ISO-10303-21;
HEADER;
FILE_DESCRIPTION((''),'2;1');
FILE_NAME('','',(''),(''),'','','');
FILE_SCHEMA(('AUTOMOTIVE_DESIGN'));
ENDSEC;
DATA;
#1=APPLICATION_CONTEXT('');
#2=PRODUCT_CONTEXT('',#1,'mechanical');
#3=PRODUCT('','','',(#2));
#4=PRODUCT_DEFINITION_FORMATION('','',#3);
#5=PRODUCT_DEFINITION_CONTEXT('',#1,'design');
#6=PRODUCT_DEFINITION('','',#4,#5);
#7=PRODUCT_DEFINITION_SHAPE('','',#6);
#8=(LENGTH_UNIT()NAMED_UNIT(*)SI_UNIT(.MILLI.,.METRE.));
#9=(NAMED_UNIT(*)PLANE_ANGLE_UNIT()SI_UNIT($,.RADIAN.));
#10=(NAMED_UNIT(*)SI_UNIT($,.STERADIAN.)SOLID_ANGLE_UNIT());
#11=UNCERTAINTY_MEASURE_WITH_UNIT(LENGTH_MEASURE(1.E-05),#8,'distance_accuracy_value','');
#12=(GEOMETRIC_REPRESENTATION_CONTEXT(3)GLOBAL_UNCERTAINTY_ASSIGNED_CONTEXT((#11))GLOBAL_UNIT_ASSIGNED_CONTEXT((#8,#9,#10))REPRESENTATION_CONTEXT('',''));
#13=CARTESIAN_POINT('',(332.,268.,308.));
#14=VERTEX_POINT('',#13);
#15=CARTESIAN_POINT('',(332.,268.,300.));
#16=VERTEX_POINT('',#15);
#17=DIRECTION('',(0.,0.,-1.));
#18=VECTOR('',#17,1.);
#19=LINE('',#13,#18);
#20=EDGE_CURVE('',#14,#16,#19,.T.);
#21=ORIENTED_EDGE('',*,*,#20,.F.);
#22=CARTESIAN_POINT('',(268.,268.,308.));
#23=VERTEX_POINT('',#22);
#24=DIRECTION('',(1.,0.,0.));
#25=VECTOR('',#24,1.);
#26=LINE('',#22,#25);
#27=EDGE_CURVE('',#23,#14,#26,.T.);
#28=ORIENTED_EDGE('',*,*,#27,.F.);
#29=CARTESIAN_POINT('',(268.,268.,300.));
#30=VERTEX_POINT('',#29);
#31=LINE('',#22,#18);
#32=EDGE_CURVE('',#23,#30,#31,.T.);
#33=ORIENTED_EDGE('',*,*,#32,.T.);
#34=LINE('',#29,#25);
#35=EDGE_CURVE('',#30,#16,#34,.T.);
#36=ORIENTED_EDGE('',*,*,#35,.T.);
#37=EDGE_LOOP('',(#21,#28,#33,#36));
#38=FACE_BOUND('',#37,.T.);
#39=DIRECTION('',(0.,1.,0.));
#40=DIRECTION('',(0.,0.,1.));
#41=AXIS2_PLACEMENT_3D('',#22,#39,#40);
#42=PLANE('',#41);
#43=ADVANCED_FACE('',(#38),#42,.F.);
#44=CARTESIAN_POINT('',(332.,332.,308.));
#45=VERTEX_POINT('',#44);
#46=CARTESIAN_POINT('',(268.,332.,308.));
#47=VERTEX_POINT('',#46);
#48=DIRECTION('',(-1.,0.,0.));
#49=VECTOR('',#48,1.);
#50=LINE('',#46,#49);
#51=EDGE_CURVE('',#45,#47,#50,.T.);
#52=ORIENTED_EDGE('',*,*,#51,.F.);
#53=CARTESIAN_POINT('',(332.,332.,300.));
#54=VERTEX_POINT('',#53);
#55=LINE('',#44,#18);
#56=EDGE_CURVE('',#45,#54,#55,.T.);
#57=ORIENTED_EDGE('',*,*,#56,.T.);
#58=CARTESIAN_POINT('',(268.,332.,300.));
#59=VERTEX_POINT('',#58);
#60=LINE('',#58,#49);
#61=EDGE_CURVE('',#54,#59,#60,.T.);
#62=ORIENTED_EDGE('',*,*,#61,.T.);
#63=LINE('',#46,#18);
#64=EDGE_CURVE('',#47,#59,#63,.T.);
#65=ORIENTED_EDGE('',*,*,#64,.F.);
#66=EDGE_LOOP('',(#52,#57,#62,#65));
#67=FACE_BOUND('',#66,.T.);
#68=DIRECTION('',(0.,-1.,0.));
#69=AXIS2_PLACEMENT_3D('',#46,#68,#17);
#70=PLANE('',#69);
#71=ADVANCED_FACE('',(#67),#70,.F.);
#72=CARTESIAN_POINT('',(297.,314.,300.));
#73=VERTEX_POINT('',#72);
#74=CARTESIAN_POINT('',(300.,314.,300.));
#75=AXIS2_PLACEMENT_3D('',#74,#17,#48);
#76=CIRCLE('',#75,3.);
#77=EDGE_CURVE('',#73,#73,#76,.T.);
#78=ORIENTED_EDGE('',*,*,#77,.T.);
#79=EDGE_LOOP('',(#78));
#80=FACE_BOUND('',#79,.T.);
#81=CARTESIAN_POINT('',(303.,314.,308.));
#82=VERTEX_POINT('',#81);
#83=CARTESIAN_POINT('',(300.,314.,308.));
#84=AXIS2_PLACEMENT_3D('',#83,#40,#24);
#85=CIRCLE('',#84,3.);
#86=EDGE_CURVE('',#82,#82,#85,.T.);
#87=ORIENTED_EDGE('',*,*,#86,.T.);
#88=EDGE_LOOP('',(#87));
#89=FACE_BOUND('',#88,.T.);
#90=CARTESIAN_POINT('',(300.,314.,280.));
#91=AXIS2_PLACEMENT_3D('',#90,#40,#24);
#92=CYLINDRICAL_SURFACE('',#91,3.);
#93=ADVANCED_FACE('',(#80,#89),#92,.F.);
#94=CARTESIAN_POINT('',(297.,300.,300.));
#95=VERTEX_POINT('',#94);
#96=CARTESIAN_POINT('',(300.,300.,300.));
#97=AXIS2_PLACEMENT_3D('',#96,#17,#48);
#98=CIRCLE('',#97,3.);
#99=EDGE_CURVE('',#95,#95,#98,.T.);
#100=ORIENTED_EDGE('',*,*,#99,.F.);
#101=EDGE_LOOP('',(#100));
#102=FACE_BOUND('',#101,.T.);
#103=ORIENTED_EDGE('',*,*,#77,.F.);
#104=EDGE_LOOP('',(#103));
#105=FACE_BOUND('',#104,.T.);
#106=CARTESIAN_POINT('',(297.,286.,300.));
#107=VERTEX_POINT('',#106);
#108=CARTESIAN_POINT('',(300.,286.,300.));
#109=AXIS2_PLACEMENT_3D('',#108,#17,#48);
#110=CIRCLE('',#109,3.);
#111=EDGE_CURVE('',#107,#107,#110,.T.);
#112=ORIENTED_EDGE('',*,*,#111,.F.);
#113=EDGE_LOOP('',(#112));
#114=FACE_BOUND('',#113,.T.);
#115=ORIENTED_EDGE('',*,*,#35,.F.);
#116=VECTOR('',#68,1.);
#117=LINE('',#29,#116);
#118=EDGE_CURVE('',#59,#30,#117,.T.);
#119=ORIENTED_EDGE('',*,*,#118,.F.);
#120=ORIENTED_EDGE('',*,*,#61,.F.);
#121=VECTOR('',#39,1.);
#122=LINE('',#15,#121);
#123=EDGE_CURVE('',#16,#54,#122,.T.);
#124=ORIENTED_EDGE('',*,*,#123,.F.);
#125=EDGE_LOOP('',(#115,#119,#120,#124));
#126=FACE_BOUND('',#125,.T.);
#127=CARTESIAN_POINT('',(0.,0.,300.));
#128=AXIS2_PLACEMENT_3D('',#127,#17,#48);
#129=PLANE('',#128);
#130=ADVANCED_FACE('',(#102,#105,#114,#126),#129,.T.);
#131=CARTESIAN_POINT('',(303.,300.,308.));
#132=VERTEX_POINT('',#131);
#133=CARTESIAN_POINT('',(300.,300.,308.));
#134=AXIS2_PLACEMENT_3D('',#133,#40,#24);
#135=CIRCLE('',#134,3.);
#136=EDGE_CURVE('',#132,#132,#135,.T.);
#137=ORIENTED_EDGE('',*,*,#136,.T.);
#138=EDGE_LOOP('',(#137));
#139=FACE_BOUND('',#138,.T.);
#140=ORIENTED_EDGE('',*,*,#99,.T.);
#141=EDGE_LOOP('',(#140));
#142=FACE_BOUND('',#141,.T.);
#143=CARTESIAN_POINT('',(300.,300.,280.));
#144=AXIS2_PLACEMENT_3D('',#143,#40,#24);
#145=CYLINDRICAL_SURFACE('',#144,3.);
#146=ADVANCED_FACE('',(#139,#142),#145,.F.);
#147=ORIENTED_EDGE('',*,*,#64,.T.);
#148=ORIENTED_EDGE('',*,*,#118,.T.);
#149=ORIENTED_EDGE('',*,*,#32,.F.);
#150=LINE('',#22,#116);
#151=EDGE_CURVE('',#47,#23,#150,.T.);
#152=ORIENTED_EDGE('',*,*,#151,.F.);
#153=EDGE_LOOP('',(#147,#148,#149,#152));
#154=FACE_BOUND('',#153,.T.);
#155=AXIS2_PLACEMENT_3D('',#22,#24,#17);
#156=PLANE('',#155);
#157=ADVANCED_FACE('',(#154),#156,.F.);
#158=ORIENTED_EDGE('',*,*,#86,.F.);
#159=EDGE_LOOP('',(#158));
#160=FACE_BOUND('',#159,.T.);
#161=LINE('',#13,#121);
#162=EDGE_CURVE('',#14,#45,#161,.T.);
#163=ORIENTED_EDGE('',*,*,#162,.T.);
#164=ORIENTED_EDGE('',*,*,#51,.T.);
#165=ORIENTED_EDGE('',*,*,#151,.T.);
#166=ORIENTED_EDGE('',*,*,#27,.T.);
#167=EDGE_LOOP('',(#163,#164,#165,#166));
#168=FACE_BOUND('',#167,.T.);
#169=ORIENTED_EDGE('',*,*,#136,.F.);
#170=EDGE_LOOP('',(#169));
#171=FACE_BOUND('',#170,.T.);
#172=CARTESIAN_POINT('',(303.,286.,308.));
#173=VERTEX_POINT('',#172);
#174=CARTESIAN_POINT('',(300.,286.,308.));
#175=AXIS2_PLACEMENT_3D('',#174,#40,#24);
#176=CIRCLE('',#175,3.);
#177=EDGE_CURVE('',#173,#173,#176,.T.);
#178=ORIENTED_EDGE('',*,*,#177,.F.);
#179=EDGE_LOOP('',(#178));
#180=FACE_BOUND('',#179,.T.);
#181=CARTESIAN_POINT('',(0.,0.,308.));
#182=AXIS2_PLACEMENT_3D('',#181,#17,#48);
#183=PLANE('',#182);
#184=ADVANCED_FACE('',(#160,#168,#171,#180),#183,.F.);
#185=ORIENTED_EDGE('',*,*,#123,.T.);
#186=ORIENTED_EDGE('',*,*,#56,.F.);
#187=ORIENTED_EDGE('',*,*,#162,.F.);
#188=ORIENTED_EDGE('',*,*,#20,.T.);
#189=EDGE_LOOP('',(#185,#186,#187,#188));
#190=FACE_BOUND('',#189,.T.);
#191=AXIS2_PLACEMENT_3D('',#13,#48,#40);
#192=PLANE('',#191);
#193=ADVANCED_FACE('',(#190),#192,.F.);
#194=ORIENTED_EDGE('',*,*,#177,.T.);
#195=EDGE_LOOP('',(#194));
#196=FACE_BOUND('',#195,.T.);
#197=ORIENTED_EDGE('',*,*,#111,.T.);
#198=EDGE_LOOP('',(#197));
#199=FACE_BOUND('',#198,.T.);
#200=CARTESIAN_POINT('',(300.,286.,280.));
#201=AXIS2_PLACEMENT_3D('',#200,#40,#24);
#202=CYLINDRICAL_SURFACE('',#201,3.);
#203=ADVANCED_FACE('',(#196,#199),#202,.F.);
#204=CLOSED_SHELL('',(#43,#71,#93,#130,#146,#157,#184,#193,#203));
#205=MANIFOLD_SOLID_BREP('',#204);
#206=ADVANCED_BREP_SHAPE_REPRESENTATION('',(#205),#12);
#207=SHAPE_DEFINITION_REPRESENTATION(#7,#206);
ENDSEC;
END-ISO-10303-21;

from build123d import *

# Parameters (mm, degrees)
SKETCH1_W           = 64
SKETCH1_H           = 64
BOSS_EXTRUDE1_DEPTH = 8
SKETCH2_R           = 3
CUT_EXTRUDE1_DEPTH  = 28
SKETCH3_R           = 3
CUT_EXTRUDE2_DEPTH  = 28
SKETCH4_R           = 3
CUT_EXTRUDE3_DEPTH  = 28


with BuildPart() as part:
    # Sketch1 → Boss-Extrude1 (new body)
    with BuildSketch(Plane.XY.offset(300)):
        with Locations((300, 300)):
            Rectangle(SKETCH1_W, SKETCH1_H)
    extrude(amount=BOSS_EXTRUDE1_DEPTH)

    # Sketch2 → Cut-Extrude1 (cut)
    with BuildSketch(Plane.XY.offset(308)):
        with Locations((300, 300)):
            Circle(SKETCH2_R)
    extrude(amount=-CUT_EXTRUDE1_DEPTH, mode=Mode.SUBTRACT)

    # Sketch3 → Cut-Extrude2 (cut)
    with BuildSketch(Plane.XY.offset(308)):
        with Locations((300, 314)):
            Circle(SKETCH3_R)
    extrude(amount=-CUT_EXTRUDE2_DEPTH, mode=Mode.SUBTRACT)

    # Sketch4 → Cut-Extrude3 (cut)
    with BuildSketch(Plane.XY.offset(308)):
        with Locations((300, 286)):
            Circle(SKETCH4_R)
    extrude(amount=-CUT_EXTRUDE3_DEPTH, mode=Mode.SUBTRACT)


solid = part.part
